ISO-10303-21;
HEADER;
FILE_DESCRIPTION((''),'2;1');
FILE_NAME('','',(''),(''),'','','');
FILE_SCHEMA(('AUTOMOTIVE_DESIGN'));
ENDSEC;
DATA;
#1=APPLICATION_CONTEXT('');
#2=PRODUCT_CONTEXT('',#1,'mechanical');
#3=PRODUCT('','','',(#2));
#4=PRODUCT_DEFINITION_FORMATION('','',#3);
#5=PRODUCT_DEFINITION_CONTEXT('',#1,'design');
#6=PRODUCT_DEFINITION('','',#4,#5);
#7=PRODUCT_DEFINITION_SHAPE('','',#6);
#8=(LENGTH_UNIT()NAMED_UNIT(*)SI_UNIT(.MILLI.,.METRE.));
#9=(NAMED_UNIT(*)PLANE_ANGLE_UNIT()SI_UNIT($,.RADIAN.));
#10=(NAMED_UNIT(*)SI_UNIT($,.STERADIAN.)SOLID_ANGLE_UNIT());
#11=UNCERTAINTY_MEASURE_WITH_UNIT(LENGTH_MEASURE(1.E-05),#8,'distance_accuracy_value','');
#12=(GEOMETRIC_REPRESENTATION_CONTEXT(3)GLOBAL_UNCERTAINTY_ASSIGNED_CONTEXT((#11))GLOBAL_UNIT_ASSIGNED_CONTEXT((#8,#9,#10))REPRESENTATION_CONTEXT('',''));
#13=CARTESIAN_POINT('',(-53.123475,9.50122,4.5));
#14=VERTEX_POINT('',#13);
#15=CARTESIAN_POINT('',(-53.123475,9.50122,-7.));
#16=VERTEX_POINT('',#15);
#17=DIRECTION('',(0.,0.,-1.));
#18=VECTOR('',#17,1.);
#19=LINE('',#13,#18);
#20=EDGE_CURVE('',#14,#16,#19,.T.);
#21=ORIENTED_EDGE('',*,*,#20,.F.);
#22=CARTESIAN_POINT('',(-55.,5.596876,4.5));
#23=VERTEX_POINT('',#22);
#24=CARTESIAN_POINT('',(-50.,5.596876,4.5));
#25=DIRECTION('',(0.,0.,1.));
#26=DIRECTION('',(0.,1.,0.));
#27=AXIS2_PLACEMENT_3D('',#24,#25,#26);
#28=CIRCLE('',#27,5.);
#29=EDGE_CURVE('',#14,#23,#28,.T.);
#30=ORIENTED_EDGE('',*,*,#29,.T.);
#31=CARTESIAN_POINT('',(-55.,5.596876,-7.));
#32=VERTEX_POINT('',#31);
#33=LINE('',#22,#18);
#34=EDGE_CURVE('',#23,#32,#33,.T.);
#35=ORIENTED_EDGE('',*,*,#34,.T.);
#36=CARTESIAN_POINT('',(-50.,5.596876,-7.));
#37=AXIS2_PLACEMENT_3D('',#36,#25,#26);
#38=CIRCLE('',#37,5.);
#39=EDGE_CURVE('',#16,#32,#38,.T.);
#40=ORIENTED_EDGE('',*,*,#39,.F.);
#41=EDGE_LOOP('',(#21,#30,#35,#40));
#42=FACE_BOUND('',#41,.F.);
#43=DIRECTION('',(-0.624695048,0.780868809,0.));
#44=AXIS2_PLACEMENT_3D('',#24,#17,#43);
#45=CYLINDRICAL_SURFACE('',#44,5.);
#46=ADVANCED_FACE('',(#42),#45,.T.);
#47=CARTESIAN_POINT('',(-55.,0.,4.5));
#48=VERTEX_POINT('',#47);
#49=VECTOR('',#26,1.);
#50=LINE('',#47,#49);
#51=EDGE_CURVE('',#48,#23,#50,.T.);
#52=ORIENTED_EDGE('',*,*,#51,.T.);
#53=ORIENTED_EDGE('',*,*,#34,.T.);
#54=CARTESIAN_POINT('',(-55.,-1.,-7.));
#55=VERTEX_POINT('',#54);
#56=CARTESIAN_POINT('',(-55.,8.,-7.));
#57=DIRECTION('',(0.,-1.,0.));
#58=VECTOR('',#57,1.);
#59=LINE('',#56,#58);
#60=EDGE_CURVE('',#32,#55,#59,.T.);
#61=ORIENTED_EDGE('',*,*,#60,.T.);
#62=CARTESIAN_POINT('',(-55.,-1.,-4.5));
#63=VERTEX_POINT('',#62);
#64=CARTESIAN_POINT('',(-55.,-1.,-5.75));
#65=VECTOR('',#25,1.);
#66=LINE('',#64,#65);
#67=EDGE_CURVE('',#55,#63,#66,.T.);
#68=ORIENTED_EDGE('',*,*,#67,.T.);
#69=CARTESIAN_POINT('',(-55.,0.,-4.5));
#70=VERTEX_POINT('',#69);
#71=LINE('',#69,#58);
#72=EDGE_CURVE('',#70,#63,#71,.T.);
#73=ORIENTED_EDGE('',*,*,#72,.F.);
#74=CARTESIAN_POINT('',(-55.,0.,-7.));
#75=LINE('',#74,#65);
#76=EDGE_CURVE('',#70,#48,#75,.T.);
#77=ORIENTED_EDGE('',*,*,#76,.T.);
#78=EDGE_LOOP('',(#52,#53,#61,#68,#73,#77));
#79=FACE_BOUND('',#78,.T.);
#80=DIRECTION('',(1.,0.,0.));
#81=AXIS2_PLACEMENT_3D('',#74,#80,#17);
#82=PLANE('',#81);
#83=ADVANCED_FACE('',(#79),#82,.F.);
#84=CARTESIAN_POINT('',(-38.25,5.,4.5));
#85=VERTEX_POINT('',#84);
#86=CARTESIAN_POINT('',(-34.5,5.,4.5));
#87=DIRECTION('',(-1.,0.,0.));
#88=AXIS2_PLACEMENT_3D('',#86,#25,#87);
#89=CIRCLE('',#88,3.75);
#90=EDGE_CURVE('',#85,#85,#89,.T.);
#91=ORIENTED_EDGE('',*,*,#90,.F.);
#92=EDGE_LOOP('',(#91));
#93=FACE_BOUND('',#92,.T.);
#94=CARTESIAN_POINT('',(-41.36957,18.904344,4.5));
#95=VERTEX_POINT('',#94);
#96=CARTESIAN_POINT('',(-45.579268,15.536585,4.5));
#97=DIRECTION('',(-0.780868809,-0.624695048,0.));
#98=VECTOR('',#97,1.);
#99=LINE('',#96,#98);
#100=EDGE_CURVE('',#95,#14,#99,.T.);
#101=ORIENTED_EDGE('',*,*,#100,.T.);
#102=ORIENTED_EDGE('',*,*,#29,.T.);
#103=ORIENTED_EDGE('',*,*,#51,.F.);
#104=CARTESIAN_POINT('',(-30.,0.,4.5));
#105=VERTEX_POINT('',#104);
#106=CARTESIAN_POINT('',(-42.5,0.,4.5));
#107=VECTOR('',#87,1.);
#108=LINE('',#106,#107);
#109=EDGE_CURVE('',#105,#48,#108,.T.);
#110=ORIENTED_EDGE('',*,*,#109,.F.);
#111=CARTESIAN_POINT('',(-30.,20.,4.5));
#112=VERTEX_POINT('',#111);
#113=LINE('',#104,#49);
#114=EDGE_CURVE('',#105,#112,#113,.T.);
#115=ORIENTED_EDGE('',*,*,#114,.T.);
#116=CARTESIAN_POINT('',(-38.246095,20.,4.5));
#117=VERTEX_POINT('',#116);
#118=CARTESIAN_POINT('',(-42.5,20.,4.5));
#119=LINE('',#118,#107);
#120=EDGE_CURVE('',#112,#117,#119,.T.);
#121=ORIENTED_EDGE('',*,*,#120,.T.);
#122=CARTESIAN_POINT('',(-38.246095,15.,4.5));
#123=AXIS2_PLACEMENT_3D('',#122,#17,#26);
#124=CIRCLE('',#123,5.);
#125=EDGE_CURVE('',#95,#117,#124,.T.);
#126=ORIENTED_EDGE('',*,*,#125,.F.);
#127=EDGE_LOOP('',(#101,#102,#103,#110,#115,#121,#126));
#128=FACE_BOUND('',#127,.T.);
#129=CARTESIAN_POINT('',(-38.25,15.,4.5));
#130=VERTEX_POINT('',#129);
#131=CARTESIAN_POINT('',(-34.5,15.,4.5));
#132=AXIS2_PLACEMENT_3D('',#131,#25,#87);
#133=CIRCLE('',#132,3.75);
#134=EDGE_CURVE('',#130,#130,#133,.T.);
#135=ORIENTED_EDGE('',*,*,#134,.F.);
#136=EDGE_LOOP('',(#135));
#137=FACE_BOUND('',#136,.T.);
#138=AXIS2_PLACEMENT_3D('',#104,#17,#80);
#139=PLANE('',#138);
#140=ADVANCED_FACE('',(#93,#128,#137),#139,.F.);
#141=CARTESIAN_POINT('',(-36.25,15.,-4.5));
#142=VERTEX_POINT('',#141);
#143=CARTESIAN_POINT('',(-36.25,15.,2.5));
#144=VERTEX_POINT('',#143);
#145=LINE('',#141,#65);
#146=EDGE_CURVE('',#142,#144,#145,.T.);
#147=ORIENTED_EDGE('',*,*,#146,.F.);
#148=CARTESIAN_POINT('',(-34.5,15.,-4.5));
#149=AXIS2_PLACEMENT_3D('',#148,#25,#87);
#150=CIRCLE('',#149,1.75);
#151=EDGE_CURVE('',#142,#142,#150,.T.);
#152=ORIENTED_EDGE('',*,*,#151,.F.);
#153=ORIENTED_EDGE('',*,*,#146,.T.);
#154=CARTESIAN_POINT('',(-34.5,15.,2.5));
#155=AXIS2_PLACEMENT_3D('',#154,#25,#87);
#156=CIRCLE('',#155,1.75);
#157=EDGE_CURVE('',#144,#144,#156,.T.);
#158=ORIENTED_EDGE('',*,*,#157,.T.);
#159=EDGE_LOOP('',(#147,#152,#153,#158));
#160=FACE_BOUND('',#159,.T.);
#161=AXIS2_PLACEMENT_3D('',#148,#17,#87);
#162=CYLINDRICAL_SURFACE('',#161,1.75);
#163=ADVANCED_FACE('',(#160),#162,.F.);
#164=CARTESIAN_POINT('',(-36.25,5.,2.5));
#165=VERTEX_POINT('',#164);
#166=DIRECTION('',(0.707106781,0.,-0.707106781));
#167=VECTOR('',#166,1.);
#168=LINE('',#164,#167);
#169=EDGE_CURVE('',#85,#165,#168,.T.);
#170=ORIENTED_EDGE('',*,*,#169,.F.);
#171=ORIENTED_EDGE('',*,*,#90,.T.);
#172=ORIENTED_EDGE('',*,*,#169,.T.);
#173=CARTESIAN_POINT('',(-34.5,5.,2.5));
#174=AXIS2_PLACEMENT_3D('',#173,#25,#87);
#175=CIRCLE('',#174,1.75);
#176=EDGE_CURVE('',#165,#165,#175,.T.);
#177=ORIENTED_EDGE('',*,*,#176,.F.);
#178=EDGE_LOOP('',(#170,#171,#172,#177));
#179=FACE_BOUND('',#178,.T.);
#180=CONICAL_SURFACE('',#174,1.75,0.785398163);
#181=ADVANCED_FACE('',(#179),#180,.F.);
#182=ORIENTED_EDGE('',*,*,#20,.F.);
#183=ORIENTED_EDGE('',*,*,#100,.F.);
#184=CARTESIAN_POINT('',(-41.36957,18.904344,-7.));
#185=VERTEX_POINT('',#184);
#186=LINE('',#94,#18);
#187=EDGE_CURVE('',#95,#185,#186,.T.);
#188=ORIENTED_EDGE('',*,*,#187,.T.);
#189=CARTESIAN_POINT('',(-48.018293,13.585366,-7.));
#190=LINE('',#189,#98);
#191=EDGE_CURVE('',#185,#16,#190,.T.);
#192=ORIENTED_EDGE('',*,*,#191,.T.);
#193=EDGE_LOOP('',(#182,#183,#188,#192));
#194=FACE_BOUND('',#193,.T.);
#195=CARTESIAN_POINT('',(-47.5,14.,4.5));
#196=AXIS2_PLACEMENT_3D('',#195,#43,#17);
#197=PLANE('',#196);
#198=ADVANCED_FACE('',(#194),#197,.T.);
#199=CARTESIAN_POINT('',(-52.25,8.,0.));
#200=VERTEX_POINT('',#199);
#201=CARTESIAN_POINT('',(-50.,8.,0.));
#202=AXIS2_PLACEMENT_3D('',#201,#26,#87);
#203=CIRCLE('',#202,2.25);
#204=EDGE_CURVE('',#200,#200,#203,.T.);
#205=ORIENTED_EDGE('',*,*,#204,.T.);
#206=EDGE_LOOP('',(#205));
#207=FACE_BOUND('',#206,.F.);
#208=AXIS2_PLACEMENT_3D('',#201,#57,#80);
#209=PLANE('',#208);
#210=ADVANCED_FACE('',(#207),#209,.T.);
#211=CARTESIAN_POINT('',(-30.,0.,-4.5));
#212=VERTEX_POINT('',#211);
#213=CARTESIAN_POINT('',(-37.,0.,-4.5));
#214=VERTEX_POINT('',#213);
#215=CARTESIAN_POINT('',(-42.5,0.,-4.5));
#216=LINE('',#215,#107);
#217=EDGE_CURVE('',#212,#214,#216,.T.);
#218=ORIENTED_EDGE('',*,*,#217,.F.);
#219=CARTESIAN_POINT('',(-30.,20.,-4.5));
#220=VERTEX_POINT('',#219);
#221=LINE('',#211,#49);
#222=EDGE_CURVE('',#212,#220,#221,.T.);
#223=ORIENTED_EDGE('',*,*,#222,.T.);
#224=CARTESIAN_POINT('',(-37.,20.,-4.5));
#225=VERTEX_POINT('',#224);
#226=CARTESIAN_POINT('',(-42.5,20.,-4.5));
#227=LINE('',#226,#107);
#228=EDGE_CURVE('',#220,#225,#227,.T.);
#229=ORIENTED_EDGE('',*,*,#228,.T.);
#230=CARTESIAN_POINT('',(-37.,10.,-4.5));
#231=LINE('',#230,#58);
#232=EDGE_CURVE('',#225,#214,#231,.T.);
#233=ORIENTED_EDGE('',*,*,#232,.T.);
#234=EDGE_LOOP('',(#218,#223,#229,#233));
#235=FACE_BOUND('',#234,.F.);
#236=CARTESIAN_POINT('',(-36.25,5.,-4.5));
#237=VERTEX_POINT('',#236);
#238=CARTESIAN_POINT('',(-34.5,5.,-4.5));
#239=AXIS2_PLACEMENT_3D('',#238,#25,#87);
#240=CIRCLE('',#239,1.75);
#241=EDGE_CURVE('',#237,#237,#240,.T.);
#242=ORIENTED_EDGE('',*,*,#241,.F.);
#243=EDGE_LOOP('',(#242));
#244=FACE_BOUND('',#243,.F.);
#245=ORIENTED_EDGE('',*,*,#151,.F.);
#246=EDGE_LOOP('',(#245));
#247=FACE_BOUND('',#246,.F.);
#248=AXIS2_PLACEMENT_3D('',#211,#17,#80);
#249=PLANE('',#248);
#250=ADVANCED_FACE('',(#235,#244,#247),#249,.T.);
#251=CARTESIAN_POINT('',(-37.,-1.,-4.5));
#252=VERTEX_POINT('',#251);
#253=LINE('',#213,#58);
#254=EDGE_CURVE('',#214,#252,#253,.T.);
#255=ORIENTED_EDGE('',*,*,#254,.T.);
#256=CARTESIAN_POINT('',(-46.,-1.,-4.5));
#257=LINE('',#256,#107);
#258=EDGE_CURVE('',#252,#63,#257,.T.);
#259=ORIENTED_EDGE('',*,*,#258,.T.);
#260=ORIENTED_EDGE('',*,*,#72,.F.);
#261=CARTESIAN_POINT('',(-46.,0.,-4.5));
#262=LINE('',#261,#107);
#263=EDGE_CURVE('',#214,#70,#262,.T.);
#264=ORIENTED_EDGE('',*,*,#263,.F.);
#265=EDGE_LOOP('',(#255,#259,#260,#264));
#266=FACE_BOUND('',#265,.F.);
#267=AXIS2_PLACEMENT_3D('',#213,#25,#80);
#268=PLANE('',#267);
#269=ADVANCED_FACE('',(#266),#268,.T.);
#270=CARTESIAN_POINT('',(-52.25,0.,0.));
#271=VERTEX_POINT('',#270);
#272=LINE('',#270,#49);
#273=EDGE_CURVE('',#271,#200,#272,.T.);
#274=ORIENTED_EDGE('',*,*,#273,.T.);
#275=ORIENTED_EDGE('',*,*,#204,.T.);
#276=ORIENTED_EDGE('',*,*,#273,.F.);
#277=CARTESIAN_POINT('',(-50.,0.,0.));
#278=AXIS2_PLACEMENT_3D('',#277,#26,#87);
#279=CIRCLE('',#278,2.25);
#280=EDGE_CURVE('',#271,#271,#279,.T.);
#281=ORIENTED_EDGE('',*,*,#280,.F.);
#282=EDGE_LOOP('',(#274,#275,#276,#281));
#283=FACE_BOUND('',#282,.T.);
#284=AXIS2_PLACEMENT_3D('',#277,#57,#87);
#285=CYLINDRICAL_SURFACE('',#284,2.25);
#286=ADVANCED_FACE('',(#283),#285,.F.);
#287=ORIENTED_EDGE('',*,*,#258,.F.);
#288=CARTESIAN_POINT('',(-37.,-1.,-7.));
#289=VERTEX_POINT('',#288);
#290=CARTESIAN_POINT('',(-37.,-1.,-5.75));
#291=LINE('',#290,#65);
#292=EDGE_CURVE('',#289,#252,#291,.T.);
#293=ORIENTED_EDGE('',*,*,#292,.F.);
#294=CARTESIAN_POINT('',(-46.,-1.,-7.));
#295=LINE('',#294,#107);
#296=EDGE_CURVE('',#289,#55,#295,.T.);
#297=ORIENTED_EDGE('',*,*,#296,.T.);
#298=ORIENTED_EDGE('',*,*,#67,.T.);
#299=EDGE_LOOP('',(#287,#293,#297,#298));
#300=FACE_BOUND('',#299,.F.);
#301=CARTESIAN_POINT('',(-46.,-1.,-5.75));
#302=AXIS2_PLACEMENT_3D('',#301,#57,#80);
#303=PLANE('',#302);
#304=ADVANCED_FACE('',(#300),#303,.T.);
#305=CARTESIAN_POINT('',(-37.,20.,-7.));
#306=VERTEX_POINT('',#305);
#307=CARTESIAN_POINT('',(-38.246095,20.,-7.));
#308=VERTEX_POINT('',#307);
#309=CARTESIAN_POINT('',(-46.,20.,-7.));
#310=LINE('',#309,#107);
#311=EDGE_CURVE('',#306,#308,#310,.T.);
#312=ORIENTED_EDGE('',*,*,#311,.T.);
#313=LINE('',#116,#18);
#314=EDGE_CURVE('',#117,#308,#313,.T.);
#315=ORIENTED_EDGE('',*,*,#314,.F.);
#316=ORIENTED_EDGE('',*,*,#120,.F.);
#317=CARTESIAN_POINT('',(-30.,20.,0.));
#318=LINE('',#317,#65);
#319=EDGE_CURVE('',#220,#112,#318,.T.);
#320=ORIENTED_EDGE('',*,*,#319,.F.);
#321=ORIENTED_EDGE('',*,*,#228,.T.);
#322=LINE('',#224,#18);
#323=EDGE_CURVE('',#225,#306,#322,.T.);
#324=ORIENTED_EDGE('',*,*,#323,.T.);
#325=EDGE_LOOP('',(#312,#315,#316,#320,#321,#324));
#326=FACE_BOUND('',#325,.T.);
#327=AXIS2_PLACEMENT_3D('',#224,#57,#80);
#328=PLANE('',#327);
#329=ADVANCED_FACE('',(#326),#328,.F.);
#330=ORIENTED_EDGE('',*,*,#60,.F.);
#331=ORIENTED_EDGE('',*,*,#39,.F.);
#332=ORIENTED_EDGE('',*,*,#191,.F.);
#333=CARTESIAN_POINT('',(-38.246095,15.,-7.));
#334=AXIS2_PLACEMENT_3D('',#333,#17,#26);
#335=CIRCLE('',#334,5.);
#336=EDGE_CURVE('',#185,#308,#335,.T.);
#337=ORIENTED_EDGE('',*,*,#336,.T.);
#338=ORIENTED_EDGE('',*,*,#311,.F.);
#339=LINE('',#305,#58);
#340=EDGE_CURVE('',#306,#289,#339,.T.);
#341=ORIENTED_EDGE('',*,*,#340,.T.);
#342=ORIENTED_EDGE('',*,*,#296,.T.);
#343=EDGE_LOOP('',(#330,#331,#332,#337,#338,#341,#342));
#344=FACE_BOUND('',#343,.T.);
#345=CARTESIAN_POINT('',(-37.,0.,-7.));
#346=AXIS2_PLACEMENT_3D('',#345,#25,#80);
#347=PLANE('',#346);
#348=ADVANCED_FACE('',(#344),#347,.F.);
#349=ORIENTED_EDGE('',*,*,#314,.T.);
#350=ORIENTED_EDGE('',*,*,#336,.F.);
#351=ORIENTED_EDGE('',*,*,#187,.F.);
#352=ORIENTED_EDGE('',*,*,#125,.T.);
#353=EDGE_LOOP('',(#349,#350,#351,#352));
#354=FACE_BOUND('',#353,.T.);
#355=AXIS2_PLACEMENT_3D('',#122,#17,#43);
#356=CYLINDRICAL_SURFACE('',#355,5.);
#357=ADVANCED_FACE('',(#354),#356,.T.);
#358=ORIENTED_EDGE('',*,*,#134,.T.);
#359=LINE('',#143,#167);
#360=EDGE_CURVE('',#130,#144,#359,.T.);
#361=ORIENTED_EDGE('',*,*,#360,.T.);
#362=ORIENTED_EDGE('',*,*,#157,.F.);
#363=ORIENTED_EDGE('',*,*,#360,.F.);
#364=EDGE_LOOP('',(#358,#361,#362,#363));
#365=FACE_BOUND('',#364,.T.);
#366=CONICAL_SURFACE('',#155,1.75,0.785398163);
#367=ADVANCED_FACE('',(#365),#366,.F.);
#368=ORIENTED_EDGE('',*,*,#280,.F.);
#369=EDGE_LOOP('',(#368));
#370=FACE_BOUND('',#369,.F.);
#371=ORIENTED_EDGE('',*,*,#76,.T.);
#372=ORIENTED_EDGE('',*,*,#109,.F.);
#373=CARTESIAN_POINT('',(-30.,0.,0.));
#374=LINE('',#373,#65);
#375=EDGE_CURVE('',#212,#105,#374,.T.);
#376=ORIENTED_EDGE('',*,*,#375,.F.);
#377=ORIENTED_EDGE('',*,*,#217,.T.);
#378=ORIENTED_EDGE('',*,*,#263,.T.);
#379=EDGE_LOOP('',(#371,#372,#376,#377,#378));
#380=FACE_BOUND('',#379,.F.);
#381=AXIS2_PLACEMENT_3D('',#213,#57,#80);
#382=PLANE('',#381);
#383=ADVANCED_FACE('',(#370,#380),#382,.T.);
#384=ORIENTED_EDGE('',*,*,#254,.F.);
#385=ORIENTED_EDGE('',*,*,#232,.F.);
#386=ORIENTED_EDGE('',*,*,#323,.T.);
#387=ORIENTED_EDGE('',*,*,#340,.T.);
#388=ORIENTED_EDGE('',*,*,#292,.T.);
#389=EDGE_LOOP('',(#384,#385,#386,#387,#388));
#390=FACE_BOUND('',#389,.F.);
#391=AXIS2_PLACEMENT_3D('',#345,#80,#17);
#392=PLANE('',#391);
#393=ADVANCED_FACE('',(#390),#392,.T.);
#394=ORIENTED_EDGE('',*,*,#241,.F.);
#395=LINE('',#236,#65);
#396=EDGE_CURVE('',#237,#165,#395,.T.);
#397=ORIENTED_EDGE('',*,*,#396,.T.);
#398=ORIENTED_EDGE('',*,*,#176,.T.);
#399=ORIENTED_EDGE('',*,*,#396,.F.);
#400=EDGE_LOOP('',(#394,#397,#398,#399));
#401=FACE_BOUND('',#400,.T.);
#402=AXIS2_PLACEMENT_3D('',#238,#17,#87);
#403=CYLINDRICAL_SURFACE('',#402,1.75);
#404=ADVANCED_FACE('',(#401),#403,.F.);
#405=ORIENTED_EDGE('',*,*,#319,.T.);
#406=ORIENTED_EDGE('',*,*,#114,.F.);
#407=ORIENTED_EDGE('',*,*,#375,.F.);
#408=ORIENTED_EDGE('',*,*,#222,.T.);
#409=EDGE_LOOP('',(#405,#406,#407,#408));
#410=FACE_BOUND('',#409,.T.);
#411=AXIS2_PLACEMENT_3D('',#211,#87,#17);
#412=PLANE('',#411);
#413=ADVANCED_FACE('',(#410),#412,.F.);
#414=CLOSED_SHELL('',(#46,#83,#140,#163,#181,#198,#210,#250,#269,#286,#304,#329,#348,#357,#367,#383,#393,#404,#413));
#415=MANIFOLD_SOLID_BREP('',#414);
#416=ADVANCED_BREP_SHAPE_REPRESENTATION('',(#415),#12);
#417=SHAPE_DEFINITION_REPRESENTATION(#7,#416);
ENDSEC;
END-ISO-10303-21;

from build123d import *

# Parameters (mm, degrees)
SKETCH236_W      = 25
SKETCH236_H      = 9
PAD097_DEPTH     = 20
SKETCH237_W      = 18
SKETCH237_H      = 20
PAD098_DEPTH     = 2.5
SKETCH238_R      = 1.75
POCKET034_DEPTH  = 11
CHAMFER030_SIZE  = 2
SKETCH239_R      = 2.25
POCKET035_DEPTH  = 8
CHAMFER031_SIZE2 = 12
CHAMFER031_SIZE  = 15
SKETCH240_W      = 18
SKETCH240_H      = 2.5
PAD099_DEPTH     = 1
FILLET025_R      = 5


with BuildPart() as body044:
    # Sketch236 → Pad097 (new body)
    with BuildSketch(Plane.XZ):
        with Locations((12.5, 0)):
            Rectangle(SKETCH236_W, SKETCH236_H)
    extrude(amount=-PAD097_DEPTH)

    # Sketch237 (on Face2 of Pad097) → Pad098 (join)
    with BuildSketch(Plane(origin=(0, 0, -4.5), x_dir=(1, 0, 0), z_dir=(0, 0, -1))):
        with Locations((16, -10)):
            Rectangle(SKETCH237_W, SKETCH237_H)
    extrude(amount=PAD098_DEPTH)

    # Sketch238 (on Face3 of Pad098) → Pocket034 (cut)
    with BuildSketch(Plane(origin=(0, 0, -4.5), x_dir=(1, 0, 0), z_dir=(0, 0, -1))):
        with Locations((4.5, -5)):
            Circle(SKETCH238_R)
        with Locations((4.5, -15)):
            Circle(SKETCH238_R)
    extrude(amount=-POCKET034_DEPTH, mode=Mode.SUBTRACT)

    # Chamfer030
    chamfer030_edges = [body044.edges().sort_by_distance(p)[0] for p in [
        (2.75, 15, 4.5),
        (2.75, 5, 4.5),
    ]]
    chamfer(chamfer030_edges, length=CHAMFER030_SIZE)

    # Sketch239 (on Face4 of Chamfer030) → Pocket035 (cut)
    with BuildSketch(Plane.XZ):
        with Locations((20, 0)):
            Circle(SKETCH239_R)
    extrude(amount=-POCKET035_DEPTH, mode=Mode.SUBTRACT)

    # Chamfer031
    chamfer031_edges = [body044.edges().sort_by_distance(p)[0] for p in [
        (25, 20, -1.25),
    ]]
    chamfer031_side = body044.faces().sort_by_distance((13.083333, 20, -0.958333))[0]
    chamfer(chamfer031_edges, length=CHAMFER031_SIZE, length2=CHAMFER031_SIZE2, reference=chamfer031_side)

    # Sketch240 (on Face6 of Chamfer031) → Pad099 (join)
    with BuildSketch(Plane.XZ):
        with Locations((16, -5.75)):
            Rectangle(SKETCH240_W, SKETCH240_H)
    extrude(amount=PAD099_DEPTH)

    # Fillet025
    fillet025_edges = [body044.edges().sort_by_distance(p)[0] for p in [
        (25, 8, -1.25),
        (10, 20, -1.25),
    ]]
    fillet(fillet025_edges, radius=FILLET025_R)


with BuildPart() as body044_1:
    # Body044 placement: moved
    add(body044.part.moved(Location((10, 0, 0))))


with BuildPart() as part_mirroring002:
    # Part__Mirroring002: instance of Body044
    add(body044_1.part.mirror(Plane(origin=(0, 0, 0), x_dir=(0, -1, 0), z_dir=(1, 0, 0))))


with BuildPart() as part_mirroring002_1:
    # Part__Mirroring002 placement: moved
    add(part_mirroring002.part.moved(Location((-20, 0, 0))))


solid = part_mirroring002_1.part
